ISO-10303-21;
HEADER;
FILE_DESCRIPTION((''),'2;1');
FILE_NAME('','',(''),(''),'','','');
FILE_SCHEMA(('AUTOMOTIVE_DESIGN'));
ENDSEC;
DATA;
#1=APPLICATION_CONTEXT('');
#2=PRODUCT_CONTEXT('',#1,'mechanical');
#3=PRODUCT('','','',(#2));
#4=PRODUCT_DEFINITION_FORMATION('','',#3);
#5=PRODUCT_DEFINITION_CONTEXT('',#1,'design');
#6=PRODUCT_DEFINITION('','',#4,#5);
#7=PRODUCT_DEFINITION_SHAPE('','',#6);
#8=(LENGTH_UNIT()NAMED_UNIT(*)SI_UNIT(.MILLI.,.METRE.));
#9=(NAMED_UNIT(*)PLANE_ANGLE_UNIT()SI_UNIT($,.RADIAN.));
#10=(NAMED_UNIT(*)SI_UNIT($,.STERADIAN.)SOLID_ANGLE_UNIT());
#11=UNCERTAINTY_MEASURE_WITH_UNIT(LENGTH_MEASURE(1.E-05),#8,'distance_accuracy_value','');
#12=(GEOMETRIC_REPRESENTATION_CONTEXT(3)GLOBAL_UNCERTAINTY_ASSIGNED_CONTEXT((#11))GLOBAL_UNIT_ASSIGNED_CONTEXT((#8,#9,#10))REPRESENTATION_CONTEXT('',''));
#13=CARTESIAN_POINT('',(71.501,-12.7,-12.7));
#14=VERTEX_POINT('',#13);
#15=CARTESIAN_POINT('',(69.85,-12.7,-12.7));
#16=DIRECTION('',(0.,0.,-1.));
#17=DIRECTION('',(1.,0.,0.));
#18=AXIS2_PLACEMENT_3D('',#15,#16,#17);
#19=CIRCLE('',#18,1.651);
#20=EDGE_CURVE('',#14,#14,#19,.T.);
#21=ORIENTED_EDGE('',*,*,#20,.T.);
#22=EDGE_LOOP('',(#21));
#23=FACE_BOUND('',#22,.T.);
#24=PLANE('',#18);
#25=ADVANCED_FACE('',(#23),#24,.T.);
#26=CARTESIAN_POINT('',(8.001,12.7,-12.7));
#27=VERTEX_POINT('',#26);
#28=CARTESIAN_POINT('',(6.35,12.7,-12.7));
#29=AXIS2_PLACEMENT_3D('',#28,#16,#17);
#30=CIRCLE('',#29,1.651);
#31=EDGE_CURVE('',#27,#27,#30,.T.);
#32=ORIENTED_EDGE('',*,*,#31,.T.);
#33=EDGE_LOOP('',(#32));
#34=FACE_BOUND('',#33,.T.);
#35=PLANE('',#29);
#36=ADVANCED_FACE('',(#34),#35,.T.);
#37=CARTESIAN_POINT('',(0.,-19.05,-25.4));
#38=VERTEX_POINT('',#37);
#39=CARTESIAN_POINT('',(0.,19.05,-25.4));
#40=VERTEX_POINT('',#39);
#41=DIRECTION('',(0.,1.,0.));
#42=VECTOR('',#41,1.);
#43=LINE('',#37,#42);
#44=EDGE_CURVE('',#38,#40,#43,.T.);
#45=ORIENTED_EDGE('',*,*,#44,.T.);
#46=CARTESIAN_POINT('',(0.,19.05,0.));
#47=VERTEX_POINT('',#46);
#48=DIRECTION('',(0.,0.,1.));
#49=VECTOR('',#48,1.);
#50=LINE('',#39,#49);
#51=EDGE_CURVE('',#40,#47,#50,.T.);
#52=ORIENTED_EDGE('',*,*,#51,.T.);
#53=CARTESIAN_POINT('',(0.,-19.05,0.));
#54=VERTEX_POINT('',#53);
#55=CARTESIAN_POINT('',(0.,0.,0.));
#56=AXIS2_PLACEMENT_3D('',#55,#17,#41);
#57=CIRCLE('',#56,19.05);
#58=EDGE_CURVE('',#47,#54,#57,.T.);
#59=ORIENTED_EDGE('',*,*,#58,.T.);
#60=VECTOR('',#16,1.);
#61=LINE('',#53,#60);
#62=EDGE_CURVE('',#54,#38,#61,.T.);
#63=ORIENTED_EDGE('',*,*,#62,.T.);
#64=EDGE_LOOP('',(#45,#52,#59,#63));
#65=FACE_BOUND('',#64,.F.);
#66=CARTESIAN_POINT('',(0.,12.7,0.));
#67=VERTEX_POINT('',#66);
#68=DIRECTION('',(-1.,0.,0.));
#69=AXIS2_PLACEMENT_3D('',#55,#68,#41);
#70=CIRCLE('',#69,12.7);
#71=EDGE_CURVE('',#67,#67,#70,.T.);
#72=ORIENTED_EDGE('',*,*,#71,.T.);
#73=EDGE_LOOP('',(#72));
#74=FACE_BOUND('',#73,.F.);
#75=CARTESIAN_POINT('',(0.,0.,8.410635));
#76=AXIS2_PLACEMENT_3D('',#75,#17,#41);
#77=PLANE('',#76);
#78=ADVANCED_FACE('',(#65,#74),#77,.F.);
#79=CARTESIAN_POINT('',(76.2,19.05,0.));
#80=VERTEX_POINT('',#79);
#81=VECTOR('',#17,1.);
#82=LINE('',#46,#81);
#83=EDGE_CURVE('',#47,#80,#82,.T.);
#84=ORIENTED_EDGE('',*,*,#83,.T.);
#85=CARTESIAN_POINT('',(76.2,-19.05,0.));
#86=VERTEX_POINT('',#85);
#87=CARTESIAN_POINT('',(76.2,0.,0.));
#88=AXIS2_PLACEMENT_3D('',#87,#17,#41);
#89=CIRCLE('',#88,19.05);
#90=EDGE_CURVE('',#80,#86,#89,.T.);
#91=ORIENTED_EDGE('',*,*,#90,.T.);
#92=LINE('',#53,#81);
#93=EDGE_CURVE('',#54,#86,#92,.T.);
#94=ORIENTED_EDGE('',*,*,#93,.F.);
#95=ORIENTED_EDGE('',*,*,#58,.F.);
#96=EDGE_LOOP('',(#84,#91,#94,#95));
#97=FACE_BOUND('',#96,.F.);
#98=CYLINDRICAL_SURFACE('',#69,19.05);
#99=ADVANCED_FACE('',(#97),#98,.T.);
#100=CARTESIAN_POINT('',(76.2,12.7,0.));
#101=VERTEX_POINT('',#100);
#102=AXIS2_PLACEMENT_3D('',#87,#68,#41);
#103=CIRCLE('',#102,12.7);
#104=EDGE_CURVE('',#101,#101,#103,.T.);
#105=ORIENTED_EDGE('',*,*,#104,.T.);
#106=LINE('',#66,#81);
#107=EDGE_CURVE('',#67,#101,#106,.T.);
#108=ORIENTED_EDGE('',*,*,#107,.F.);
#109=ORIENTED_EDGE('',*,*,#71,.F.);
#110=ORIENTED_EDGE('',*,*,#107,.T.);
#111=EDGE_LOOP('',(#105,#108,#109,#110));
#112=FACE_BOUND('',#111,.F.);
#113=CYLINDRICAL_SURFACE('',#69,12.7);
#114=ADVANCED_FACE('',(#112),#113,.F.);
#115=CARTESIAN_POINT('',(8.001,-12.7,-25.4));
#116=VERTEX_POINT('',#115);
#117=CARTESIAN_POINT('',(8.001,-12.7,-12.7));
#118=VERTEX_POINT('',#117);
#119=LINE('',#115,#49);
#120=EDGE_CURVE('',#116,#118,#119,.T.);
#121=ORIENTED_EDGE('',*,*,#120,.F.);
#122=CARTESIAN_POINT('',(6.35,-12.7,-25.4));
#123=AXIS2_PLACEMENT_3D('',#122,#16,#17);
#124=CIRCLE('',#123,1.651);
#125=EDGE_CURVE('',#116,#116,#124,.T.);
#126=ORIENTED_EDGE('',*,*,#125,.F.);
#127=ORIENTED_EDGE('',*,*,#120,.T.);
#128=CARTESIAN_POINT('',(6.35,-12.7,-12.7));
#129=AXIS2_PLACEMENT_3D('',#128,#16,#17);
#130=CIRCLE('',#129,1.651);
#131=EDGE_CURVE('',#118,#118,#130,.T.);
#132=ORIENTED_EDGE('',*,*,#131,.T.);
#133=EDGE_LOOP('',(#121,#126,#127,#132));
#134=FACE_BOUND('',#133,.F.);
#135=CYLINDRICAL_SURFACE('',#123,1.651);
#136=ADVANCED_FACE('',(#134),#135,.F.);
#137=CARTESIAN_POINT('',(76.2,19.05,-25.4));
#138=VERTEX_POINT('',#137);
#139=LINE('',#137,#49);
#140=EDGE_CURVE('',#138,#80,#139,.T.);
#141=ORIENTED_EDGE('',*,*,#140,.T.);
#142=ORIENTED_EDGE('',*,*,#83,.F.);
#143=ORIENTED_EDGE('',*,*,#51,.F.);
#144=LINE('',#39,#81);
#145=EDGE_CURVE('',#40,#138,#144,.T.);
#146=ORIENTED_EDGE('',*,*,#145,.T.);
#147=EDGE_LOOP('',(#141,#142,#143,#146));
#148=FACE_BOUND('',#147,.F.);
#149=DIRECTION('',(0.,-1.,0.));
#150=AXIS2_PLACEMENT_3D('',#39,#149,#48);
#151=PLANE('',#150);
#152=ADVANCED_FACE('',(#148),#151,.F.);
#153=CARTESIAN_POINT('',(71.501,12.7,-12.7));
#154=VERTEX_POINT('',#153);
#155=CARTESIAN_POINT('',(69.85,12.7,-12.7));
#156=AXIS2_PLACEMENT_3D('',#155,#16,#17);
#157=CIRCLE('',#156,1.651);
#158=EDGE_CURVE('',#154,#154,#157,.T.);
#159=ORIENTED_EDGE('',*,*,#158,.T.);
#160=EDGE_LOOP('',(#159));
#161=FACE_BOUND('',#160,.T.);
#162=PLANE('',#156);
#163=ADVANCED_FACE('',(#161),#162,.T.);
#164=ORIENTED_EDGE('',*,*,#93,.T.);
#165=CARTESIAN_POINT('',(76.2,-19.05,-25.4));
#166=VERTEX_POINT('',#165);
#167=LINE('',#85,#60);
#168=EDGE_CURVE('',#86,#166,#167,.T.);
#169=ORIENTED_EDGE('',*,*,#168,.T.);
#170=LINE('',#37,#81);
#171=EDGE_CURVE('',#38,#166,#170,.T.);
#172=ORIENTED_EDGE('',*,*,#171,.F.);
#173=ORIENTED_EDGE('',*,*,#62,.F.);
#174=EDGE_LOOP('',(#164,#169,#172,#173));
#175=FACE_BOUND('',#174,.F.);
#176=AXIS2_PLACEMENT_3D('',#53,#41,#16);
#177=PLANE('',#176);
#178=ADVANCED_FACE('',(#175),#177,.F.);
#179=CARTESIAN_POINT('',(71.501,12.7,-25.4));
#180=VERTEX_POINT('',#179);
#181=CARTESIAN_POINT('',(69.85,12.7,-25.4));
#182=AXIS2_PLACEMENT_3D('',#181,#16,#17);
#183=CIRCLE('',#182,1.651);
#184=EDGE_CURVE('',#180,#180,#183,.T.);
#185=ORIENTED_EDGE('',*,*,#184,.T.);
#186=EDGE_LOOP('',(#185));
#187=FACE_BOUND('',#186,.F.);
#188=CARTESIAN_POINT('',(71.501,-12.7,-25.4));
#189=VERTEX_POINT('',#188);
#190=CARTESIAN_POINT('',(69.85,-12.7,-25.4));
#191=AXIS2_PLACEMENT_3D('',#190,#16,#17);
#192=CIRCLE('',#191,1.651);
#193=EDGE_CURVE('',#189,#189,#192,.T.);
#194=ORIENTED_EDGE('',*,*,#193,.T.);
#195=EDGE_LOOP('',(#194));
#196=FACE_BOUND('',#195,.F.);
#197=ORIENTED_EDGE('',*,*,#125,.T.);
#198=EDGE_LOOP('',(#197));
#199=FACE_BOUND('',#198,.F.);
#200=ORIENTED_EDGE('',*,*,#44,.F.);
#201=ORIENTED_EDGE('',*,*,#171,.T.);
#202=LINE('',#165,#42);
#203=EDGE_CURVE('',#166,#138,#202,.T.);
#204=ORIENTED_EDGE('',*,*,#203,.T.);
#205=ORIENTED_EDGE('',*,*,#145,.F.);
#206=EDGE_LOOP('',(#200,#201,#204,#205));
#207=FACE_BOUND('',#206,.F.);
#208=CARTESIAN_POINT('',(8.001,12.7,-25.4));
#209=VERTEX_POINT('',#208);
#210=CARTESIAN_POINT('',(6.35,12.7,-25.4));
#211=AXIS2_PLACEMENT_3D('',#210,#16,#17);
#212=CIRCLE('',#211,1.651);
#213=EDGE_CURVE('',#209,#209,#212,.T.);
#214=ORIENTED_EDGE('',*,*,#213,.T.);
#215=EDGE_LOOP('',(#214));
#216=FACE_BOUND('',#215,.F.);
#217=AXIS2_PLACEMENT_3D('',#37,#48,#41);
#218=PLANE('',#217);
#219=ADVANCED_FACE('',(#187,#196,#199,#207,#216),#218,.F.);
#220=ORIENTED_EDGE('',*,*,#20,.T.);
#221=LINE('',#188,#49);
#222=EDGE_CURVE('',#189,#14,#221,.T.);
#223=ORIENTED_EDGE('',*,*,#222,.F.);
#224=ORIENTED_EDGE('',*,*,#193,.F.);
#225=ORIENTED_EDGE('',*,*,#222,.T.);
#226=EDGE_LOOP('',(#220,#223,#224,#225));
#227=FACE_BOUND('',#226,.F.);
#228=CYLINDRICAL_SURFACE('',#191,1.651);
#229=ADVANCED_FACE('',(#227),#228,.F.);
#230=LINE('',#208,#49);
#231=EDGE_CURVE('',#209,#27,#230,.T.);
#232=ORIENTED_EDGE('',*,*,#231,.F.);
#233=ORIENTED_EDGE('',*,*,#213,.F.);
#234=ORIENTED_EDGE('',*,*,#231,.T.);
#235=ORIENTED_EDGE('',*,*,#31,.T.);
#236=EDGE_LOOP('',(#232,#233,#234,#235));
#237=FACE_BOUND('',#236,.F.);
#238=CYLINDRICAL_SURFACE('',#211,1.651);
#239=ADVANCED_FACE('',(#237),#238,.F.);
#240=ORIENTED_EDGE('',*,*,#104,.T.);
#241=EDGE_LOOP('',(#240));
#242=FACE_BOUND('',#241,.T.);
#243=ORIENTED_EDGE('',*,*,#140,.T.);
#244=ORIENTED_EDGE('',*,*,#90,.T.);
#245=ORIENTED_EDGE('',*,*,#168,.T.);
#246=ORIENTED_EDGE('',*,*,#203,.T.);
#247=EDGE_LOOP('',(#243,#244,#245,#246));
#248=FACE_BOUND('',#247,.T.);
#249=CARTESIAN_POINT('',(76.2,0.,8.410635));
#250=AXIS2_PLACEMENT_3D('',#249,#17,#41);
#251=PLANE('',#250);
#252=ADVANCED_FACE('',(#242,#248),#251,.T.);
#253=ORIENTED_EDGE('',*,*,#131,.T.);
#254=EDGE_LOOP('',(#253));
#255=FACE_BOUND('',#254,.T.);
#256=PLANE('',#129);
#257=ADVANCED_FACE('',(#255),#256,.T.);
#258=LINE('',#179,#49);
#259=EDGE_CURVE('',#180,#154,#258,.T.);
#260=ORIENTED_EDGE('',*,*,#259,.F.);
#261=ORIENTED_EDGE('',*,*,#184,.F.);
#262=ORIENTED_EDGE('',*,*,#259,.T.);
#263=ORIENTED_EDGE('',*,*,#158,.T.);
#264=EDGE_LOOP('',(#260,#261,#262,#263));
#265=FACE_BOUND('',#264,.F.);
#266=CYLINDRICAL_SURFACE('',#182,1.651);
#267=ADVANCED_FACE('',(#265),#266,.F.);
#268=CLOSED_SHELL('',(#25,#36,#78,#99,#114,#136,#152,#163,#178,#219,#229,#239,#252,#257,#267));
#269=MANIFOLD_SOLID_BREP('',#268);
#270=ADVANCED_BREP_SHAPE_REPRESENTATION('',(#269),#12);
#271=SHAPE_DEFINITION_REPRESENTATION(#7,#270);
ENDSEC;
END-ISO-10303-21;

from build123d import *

# Parameters (mm, degrees)
F1_DEPTH = 76.2
F2_R     = 1.651
F3_DEPTH = 12.7


with BuildPart() as f1:
    # F0 (on Right) → F1 (new body)
    with BuildSketch(Plane.YZ):
        with BuildLine():
            ThreePointArc((-12.7, 0), (0, 12.7), (12.7, 0))
            Line((12.7, 0), (19.05, 0))
            ThreePointArc((19.05, 0), (0, 19.05), (-19.05, 0))
            Line((-19.05, 0), (-12.7, 0))
        make_face()
        with BuildLine():
            Line((19.05, 0), (12.7, 0))
            ThreePointArc((12.7, 0), (0, -12.7), (-12.7, 0))
            Line((-12.7, 0), (-19.05, 0))
            Line((-19.05, 0), (-19.05, -25.4))
            Line((-19.05, -25.4), (19.05, -25.4))
            Line((19.05, -25.4), (19.05, 0))
        make_face()
    extrude(amount=F1_DEPTH)

    # F2 (on face) → F3 (cut)
    with BuildSketch(Plane(origin=(0, 0, -25.4), x_dir=(1, 0, 0), z_dir=(0, 0, -1))):
        with Locations((69.85, 12.7)):
            Circle(F2_R)
        with Locations((69.85, -12.7)):
            Circle(F2_R)
        with Locations((6.35, 12.7)):
            Circle(F2_R)
        with Locations((6.35, -12.7)):
            Circle(F2_R)
    extrude(amount=-F3_DEPTH, mode=Mode.SUBTRACT)


solid = f1.part
